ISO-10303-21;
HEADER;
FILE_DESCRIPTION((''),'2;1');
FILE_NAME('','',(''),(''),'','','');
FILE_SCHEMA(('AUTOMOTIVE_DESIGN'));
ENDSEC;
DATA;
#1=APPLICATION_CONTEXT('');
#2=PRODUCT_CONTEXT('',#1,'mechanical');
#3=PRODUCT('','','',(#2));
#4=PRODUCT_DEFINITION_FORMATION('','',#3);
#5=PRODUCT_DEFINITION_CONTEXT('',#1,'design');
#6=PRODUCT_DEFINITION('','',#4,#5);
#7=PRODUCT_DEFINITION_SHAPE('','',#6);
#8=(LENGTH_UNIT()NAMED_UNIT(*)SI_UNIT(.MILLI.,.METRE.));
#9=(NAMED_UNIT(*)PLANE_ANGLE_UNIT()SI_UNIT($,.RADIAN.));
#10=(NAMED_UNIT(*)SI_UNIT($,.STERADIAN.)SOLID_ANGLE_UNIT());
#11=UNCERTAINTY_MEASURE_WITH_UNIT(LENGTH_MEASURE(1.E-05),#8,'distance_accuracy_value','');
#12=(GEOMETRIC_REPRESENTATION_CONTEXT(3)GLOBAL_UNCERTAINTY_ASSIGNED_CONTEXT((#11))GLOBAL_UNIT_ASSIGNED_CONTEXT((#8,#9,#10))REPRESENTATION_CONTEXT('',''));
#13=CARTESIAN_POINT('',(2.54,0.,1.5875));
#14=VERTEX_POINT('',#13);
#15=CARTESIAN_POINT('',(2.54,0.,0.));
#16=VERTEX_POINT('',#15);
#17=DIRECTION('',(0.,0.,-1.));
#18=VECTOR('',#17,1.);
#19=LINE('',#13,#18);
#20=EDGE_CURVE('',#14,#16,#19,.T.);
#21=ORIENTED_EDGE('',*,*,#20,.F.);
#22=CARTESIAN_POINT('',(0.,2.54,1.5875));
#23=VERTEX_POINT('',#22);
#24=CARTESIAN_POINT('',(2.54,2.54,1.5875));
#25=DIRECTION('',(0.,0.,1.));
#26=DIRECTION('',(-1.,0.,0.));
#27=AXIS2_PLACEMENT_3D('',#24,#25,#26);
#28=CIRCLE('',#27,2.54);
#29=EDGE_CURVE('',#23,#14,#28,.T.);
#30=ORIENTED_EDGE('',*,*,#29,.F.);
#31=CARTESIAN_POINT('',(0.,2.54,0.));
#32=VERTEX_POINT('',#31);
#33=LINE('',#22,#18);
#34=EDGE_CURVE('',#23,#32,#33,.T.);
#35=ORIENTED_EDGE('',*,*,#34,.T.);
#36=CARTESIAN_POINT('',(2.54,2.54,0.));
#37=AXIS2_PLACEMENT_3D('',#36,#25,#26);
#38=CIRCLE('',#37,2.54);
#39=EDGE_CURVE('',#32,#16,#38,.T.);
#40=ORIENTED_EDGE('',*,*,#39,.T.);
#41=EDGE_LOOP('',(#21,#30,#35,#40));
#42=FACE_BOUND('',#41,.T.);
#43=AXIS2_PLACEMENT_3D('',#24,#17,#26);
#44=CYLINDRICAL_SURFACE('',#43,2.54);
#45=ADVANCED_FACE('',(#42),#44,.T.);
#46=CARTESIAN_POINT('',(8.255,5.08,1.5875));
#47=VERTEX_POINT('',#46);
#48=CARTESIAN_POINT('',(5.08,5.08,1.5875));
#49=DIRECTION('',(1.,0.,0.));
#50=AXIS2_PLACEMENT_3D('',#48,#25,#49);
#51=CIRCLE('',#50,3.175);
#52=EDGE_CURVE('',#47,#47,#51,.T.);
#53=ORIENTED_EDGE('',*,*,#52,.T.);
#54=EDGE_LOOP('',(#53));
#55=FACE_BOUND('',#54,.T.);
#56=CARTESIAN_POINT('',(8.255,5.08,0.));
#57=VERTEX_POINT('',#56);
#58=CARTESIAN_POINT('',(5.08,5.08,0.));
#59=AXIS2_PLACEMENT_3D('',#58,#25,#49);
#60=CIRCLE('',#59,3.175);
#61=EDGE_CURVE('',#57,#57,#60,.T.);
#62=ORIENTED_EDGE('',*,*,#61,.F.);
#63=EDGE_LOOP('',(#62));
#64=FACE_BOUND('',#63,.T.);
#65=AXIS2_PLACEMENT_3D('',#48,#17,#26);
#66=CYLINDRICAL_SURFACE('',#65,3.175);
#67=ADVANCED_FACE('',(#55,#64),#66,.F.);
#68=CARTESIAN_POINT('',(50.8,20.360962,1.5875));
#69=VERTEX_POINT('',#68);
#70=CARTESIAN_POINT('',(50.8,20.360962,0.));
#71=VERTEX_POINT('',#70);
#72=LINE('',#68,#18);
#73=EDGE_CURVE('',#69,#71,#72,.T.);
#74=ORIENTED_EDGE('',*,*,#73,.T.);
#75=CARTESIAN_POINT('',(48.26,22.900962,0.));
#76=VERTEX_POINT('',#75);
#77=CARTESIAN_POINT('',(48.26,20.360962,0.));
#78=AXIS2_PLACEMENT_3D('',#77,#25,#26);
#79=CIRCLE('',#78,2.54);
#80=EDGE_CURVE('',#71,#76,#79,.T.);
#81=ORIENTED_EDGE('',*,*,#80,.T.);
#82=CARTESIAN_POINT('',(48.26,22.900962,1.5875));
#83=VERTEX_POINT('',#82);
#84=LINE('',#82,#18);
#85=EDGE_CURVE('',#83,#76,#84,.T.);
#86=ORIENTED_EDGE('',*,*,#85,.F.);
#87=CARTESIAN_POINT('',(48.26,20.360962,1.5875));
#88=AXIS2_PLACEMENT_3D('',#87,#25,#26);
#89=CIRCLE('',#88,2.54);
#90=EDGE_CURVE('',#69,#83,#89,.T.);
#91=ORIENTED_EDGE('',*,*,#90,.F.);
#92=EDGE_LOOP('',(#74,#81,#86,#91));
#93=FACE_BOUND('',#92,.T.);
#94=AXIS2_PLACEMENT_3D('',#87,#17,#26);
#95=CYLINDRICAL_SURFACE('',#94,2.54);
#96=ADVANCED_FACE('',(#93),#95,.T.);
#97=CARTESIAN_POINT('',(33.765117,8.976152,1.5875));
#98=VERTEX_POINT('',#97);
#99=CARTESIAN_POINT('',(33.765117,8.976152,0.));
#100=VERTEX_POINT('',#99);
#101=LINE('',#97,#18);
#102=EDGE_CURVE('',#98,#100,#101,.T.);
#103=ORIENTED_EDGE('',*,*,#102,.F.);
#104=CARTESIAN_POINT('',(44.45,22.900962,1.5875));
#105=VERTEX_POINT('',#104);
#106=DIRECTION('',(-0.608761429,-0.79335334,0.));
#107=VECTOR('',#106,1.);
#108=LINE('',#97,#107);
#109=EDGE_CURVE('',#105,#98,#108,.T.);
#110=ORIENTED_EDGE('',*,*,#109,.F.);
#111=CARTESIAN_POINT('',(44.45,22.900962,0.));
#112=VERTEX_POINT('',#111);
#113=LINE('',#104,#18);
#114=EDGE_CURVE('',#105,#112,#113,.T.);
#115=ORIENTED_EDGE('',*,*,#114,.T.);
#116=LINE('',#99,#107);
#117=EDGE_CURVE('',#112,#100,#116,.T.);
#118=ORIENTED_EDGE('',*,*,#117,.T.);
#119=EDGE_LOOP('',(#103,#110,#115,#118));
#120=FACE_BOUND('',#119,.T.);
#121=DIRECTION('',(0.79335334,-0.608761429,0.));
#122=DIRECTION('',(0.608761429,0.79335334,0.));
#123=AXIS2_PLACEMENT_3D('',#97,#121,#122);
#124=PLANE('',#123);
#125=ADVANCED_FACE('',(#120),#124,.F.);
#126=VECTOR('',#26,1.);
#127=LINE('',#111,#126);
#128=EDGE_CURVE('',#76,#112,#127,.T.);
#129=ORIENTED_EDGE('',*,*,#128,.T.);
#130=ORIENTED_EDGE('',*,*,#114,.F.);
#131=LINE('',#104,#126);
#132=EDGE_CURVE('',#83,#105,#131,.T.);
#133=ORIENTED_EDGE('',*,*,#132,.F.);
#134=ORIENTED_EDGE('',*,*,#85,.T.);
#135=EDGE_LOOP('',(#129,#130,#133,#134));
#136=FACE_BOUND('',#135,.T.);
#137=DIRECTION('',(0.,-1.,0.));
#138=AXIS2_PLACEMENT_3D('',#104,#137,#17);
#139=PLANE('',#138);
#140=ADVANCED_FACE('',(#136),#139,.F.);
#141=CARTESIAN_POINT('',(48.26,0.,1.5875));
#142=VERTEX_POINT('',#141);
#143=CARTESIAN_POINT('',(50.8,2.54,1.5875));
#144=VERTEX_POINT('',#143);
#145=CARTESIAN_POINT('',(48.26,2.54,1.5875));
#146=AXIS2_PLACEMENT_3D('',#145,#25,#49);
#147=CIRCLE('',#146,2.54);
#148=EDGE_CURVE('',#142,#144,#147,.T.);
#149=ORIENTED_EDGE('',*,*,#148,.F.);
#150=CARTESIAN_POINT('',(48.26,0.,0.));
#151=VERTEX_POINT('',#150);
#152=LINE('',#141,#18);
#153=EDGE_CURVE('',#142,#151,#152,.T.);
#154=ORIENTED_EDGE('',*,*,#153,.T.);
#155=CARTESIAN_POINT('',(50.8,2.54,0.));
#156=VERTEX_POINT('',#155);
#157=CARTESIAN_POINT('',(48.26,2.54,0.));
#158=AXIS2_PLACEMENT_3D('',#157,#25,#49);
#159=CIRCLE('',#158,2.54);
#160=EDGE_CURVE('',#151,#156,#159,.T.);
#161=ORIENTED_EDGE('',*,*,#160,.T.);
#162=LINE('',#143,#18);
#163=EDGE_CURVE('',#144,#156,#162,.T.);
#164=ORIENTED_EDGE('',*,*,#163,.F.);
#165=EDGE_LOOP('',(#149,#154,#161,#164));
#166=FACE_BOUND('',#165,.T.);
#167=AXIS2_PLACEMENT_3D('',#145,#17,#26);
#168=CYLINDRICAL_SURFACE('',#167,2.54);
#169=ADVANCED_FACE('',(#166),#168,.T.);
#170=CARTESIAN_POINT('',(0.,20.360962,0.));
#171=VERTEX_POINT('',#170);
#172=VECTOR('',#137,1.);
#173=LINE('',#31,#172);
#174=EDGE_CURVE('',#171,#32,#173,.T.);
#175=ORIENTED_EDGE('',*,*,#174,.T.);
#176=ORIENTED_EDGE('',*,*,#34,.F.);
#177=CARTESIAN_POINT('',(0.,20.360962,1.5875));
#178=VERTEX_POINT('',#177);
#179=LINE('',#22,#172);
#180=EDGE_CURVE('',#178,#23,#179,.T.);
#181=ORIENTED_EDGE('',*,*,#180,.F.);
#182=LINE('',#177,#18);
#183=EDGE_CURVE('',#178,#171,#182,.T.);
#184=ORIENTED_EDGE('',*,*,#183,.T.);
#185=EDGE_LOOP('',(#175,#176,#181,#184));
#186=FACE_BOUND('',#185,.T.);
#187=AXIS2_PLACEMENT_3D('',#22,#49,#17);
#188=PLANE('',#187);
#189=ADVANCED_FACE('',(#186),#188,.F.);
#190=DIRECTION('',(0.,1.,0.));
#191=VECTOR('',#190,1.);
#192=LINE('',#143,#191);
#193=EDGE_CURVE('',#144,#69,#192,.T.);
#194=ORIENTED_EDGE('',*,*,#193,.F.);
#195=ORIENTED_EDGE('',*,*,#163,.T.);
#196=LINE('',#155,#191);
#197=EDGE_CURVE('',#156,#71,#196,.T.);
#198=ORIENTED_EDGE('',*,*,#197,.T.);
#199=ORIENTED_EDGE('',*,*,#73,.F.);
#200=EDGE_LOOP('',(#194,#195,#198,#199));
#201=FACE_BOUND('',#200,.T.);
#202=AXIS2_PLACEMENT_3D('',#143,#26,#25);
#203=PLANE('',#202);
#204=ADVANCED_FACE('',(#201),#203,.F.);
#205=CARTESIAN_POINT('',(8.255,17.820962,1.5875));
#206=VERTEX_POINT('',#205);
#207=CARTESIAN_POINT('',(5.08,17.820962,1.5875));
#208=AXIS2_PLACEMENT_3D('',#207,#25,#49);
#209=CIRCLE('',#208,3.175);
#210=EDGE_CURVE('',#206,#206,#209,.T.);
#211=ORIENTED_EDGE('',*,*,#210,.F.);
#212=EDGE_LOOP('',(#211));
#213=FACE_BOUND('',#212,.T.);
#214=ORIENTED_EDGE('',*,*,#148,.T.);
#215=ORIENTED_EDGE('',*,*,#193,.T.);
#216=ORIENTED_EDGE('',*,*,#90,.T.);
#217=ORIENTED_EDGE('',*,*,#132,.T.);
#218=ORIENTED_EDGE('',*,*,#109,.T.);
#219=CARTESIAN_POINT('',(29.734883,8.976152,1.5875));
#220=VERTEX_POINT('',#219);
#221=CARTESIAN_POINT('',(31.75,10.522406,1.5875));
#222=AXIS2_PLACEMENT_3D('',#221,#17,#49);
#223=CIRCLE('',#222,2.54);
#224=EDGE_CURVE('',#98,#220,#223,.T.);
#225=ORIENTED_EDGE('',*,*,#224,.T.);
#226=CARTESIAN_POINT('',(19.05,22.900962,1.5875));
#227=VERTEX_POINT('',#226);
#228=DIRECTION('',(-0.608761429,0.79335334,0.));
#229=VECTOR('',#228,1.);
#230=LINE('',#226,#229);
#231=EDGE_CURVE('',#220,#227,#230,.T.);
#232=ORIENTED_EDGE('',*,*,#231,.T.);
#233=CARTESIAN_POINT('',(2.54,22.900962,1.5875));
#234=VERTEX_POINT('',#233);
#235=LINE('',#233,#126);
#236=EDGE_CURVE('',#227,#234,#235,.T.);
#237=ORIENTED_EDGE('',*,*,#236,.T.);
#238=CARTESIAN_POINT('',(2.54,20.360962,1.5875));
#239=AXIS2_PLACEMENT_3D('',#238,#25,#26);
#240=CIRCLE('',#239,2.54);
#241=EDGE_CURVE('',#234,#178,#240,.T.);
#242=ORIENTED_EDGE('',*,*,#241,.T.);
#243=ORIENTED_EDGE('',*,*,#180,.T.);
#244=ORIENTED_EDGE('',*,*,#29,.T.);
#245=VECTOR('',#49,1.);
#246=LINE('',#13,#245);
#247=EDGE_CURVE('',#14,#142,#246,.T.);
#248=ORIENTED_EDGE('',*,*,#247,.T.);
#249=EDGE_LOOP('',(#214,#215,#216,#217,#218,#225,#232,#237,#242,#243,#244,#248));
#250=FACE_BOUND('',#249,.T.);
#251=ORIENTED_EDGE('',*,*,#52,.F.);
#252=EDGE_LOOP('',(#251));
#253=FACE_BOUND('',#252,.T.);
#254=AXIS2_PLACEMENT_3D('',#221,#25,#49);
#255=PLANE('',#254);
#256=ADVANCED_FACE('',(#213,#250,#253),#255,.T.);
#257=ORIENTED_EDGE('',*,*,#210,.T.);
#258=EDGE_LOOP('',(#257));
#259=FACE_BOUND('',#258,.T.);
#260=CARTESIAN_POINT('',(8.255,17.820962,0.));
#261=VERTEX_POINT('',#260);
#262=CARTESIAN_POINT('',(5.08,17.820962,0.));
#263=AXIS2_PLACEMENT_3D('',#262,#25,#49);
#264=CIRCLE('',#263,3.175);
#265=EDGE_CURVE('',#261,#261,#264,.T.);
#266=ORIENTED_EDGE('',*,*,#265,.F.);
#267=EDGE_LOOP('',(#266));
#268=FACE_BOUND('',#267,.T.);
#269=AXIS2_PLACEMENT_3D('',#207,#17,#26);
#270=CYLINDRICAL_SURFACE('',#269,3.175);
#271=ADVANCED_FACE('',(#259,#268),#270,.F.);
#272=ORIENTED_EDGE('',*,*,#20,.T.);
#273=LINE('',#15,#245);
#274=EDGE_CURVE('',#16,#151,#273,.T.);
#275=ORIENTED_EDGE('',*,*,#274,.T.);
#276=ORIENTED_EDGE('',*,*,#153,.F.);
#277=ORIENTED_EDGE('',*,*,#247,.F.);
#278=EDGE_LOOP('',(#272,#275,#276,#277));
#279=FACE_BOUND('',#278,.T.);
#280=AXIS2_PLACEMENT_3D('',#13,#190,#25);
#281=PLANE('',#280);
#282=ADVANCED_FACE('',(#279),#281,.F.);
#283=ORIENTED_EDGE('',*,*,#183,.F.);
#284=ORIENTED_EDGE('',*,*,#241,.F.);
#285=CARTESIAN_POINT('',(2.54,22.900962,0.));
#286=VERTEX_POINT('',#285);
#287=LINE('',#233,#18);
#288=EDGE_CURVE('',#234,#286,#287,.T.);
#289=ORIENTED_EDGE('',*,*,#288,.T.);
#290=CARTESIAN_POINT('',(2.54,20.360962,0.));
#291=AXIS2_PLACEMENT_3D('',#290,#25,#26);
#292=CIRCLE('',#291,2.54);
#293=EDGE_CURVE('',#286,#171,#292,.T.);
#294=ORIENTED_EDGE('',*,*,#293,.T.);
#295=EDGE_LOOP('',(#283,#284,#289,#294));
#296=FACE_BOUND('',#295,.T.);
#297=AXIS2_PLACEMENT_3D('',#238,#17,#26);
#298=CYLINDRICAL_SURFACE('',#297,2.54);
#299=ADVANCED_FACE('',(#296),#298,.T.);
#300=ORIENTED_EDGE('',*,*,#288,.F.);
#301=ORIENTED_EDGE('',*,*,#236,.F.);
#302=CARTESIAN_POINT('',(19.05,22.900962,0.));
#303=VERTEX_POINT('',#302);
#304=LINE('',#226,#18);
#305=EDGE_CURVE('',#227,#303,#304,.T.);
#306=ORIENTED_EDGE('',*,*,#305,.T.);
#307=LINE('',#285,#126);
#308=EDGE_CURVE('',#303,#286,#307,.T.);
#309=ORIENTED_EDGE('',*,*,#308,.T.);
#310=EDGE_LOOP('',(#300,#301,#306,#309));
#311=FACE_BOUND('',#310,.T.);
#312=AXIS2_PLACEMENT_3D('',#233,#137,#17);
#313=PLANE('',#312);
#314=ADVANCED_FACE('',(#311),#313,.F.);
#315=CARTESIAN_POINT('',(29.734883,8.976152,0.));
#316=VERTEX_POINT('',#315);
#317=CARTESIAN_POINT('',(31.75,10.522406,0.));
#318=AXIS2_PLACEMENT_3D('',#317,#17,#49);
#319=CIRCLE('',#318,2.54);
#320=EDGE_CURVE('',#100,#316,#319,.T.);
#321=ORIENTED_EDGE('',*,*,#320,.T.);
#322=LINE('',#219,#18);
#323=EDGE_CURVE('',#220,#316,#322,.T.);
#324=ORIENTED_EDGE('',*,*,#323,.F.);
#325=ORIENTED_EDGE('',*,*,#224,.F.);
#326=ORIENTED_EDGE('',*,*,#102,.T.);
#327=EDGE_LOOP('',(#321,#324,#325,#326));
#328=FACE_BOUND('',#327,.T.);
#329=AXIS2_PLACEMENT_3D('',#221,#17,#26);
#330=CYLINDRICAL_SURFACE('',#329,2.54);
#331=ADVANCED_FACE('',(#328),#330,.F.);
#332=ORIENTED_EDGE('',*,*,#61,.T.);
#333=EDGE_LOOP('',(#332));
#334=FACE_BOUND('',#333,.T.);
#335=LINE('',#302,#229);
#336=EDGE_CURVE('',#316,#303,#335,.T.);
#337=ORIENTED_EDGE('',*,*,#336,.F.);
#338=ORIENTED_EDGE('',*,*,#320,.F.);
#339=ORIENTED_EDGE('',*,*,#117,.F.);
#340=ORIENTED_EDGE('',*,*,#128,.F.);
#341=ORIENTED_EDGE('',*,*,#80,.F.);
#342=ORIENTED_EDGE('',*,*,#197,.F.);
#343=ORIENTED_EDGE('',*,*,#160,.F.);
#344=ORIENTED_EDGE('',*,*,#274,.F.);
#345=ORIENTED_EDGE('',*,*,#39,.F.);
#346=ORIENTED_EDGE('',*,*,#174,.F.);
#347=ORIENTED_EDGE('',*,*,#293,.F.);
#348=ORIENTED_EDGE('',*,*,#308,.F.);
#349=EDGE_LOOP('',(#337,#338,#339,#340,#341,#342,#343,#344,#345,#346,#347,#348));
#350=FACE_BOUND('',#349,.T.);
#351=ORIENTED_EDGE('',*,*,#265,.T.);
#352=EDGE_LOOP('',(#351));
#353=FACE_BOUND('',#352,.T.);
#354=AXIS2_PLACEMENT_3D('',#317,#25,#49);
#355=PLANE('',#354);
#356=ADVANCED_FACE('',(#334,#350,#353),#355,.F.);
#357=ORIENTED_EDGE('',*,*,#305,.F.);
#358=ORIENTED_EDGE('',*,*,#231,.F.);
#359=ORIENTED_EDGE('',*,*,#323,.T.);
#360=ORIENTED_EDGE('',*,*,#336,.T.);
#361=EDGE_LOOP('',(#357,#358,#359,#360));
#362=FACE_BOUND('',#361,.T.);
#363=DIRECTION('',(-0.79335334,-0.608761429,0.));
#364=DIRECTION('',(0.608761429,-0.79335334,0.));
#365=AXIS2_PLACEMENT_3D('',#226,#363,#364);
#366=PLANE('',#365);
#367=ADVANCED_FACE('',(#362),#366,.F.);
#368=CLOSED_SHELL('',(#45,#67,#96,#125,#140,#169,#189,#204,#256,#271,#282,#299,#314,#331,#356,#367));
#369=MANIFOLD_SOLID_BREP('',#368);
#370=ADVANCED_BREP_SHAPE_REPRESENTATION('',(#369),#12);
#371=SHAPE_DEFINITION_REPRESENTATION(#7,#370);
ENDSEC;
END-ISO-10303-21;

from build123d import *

# Parameters (mm, degrees)
SKETCH2_R           = 3.175
BOSS_EXTRUDE1_DEPTH = 1.5875


with BuildPart() as part:
    # Sketch2 → Boss-Extrude1 (new body)
    with BuildSketch(Plane.XY):
        with BuildLine():
            Line((19.05, 22.900962235), (29.734882516, 8.976152235))
            ThreePointArc((29.734882516, 8.976152235), (31.75, 7.982406265), (33.765117484, 8.976152235))
            Line((33.765117484, 8.976152235), (44.45, 22.900962235))
            Line((44.45, 22.900962235), (48.26, 22.900962235))
            ThreePointArc((48.26, 22.900962235), (50.056051224, 22.157013459), (50.8, 20.360962235))
            Line((50.8, 20.360962235), (50.8, 2.54))
            ThreePointArc((50.8, 2.54), (50.056051224, 0.743948776), (48.26, 0))
            Line((48.26, 0), (2.54, 0))
            ThreePointArc((2.54, 0), (0.743948776, 0.743948776), (0, 2.54))
            Line((0, 2.54), (0, 20.360962235))
            ThreePointArc((0, 20.360962235), (0.743948776, 22.157013459), (2.54, 22.900962235))
            Line((2.54, 22.900962235), (19.05, 22.900962235))
        make_face()
        with Locations((5.08, 17.820962235)):
            Circle(SKETCH2_R, mode=Mode.SUBTRACT)
        with Locations((5.08, 5.08)):
            Circle(SKETCH2_R, mode=Mode.SUBTRACT)
    extrude(amount=BOSS_EXTRUDE1_DEPTH)


solid = part.part
